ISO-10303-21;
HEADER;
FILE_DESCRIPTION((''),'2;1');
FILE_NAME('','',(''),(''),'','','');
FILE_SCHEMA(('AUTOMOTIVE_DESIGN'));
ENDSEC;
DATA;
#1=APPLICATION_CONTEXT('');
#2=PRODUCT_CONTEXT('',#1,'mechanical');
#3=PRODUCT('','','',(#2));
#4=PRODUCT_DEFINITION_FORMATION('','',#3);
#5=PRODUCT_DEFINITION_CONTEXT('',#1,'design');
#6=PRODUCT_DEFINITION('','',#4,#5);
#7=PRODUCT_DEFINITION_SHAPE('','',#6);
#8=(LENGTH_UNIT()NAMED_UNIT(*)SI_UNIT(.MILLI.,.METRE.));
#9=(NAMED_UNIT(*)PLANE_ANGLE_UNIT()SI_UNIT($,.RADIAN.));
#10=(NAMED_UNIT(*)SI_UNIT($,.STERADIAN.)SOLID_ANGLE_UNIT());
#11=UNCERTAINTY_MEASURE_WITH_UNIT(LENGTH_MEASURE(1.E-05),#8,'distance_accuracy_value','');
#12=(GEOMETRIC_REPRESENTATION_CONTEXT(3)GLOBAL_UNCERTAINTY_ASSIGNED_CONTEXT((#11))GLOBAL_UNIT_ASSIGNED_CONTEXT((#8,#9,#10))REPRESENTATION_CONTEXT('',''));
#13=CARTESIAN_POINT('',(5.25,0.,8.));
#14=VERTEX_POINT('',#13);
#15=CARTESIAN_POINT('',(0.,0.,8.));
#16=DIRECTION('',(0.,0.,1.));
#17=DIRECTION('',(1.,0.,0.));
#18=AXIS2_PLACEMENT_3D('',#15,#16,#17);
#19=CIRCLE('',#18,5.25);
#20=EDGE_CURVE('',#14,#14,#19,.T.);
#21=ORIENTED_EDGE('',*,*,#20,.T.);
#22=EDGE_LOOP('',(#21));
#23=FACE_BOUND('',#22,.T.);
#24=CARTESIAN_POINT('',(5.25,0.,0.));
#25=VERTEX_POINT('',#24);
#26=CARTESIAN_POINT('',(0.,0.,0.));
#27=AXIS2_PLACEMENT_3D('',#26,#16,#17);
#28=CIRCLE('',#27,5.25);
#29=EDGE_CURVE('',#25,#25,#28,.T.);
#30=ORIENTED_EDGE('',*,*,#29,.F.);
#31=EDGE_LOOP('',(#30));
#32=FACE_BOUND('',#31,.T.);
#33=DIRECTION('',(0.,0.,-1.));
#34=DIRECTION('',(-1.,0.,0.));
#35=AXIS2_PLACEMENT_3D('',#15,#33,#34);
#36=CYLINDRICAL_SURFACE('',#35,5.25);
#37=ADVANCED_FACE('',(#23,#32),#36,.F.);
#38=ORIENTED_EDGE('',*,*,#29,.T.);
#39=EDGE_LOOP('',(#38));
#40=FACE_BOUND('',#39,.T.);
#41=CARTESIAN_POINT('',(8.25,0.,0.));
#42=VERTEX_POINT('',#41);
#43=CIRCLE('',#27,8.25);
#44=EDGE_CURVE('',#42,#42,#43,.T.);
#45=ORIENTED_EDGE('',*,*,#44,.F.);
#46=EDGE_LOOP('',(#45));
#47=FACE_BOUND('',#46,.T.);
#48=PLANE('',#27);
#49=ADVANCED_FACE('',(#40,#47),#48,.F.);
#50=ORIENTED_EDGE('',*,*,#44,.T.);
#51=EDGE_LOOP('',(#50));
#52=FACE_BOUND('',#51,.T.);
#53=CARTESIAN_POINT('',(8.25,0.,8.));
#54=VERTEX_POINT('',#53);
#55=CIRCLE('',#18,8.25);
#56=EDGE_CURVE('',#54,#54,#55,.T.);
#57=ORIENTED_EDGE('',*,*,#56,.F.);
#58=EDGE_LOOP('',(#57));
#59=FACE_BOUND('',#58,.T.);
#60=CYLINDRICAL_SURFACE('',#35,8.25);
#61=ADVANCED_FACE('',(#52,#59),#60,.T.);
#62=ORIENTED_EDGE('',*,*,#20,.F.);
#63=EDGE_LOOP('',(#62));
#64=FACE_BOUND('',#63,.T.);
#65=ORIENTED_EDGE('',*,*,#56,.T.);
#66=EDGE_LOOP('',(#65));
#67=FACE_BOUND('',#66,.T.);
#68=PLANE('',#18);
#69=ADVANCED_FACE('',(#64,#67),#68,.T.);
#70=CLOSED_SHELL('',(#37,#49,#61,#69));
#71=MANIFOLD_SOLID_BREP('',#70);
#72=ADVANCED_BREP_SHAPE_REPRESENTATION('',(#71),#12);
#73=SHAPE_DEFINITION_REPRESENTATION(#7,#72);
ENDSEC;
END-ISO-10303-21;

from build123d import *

# Parameters (mm, degrees)
SKETCH1_R           = 8.25
SKETCH1_R_2         = 5.25
BOSS_EXTRUDE1_DEPTH = 8


with BuildPart() as part:
    # Sketch1 → Boss-Extrude1 (new body)
    with BuildSketch(Plane.XY):
        Circle(SKETCH1_R)
        Circle(SKETCH1_R_2, mode=Mode.SUBTRACT)
    extrude(amount=BOSS_EXTRUDE1_DEPTH)


solid = part.part
